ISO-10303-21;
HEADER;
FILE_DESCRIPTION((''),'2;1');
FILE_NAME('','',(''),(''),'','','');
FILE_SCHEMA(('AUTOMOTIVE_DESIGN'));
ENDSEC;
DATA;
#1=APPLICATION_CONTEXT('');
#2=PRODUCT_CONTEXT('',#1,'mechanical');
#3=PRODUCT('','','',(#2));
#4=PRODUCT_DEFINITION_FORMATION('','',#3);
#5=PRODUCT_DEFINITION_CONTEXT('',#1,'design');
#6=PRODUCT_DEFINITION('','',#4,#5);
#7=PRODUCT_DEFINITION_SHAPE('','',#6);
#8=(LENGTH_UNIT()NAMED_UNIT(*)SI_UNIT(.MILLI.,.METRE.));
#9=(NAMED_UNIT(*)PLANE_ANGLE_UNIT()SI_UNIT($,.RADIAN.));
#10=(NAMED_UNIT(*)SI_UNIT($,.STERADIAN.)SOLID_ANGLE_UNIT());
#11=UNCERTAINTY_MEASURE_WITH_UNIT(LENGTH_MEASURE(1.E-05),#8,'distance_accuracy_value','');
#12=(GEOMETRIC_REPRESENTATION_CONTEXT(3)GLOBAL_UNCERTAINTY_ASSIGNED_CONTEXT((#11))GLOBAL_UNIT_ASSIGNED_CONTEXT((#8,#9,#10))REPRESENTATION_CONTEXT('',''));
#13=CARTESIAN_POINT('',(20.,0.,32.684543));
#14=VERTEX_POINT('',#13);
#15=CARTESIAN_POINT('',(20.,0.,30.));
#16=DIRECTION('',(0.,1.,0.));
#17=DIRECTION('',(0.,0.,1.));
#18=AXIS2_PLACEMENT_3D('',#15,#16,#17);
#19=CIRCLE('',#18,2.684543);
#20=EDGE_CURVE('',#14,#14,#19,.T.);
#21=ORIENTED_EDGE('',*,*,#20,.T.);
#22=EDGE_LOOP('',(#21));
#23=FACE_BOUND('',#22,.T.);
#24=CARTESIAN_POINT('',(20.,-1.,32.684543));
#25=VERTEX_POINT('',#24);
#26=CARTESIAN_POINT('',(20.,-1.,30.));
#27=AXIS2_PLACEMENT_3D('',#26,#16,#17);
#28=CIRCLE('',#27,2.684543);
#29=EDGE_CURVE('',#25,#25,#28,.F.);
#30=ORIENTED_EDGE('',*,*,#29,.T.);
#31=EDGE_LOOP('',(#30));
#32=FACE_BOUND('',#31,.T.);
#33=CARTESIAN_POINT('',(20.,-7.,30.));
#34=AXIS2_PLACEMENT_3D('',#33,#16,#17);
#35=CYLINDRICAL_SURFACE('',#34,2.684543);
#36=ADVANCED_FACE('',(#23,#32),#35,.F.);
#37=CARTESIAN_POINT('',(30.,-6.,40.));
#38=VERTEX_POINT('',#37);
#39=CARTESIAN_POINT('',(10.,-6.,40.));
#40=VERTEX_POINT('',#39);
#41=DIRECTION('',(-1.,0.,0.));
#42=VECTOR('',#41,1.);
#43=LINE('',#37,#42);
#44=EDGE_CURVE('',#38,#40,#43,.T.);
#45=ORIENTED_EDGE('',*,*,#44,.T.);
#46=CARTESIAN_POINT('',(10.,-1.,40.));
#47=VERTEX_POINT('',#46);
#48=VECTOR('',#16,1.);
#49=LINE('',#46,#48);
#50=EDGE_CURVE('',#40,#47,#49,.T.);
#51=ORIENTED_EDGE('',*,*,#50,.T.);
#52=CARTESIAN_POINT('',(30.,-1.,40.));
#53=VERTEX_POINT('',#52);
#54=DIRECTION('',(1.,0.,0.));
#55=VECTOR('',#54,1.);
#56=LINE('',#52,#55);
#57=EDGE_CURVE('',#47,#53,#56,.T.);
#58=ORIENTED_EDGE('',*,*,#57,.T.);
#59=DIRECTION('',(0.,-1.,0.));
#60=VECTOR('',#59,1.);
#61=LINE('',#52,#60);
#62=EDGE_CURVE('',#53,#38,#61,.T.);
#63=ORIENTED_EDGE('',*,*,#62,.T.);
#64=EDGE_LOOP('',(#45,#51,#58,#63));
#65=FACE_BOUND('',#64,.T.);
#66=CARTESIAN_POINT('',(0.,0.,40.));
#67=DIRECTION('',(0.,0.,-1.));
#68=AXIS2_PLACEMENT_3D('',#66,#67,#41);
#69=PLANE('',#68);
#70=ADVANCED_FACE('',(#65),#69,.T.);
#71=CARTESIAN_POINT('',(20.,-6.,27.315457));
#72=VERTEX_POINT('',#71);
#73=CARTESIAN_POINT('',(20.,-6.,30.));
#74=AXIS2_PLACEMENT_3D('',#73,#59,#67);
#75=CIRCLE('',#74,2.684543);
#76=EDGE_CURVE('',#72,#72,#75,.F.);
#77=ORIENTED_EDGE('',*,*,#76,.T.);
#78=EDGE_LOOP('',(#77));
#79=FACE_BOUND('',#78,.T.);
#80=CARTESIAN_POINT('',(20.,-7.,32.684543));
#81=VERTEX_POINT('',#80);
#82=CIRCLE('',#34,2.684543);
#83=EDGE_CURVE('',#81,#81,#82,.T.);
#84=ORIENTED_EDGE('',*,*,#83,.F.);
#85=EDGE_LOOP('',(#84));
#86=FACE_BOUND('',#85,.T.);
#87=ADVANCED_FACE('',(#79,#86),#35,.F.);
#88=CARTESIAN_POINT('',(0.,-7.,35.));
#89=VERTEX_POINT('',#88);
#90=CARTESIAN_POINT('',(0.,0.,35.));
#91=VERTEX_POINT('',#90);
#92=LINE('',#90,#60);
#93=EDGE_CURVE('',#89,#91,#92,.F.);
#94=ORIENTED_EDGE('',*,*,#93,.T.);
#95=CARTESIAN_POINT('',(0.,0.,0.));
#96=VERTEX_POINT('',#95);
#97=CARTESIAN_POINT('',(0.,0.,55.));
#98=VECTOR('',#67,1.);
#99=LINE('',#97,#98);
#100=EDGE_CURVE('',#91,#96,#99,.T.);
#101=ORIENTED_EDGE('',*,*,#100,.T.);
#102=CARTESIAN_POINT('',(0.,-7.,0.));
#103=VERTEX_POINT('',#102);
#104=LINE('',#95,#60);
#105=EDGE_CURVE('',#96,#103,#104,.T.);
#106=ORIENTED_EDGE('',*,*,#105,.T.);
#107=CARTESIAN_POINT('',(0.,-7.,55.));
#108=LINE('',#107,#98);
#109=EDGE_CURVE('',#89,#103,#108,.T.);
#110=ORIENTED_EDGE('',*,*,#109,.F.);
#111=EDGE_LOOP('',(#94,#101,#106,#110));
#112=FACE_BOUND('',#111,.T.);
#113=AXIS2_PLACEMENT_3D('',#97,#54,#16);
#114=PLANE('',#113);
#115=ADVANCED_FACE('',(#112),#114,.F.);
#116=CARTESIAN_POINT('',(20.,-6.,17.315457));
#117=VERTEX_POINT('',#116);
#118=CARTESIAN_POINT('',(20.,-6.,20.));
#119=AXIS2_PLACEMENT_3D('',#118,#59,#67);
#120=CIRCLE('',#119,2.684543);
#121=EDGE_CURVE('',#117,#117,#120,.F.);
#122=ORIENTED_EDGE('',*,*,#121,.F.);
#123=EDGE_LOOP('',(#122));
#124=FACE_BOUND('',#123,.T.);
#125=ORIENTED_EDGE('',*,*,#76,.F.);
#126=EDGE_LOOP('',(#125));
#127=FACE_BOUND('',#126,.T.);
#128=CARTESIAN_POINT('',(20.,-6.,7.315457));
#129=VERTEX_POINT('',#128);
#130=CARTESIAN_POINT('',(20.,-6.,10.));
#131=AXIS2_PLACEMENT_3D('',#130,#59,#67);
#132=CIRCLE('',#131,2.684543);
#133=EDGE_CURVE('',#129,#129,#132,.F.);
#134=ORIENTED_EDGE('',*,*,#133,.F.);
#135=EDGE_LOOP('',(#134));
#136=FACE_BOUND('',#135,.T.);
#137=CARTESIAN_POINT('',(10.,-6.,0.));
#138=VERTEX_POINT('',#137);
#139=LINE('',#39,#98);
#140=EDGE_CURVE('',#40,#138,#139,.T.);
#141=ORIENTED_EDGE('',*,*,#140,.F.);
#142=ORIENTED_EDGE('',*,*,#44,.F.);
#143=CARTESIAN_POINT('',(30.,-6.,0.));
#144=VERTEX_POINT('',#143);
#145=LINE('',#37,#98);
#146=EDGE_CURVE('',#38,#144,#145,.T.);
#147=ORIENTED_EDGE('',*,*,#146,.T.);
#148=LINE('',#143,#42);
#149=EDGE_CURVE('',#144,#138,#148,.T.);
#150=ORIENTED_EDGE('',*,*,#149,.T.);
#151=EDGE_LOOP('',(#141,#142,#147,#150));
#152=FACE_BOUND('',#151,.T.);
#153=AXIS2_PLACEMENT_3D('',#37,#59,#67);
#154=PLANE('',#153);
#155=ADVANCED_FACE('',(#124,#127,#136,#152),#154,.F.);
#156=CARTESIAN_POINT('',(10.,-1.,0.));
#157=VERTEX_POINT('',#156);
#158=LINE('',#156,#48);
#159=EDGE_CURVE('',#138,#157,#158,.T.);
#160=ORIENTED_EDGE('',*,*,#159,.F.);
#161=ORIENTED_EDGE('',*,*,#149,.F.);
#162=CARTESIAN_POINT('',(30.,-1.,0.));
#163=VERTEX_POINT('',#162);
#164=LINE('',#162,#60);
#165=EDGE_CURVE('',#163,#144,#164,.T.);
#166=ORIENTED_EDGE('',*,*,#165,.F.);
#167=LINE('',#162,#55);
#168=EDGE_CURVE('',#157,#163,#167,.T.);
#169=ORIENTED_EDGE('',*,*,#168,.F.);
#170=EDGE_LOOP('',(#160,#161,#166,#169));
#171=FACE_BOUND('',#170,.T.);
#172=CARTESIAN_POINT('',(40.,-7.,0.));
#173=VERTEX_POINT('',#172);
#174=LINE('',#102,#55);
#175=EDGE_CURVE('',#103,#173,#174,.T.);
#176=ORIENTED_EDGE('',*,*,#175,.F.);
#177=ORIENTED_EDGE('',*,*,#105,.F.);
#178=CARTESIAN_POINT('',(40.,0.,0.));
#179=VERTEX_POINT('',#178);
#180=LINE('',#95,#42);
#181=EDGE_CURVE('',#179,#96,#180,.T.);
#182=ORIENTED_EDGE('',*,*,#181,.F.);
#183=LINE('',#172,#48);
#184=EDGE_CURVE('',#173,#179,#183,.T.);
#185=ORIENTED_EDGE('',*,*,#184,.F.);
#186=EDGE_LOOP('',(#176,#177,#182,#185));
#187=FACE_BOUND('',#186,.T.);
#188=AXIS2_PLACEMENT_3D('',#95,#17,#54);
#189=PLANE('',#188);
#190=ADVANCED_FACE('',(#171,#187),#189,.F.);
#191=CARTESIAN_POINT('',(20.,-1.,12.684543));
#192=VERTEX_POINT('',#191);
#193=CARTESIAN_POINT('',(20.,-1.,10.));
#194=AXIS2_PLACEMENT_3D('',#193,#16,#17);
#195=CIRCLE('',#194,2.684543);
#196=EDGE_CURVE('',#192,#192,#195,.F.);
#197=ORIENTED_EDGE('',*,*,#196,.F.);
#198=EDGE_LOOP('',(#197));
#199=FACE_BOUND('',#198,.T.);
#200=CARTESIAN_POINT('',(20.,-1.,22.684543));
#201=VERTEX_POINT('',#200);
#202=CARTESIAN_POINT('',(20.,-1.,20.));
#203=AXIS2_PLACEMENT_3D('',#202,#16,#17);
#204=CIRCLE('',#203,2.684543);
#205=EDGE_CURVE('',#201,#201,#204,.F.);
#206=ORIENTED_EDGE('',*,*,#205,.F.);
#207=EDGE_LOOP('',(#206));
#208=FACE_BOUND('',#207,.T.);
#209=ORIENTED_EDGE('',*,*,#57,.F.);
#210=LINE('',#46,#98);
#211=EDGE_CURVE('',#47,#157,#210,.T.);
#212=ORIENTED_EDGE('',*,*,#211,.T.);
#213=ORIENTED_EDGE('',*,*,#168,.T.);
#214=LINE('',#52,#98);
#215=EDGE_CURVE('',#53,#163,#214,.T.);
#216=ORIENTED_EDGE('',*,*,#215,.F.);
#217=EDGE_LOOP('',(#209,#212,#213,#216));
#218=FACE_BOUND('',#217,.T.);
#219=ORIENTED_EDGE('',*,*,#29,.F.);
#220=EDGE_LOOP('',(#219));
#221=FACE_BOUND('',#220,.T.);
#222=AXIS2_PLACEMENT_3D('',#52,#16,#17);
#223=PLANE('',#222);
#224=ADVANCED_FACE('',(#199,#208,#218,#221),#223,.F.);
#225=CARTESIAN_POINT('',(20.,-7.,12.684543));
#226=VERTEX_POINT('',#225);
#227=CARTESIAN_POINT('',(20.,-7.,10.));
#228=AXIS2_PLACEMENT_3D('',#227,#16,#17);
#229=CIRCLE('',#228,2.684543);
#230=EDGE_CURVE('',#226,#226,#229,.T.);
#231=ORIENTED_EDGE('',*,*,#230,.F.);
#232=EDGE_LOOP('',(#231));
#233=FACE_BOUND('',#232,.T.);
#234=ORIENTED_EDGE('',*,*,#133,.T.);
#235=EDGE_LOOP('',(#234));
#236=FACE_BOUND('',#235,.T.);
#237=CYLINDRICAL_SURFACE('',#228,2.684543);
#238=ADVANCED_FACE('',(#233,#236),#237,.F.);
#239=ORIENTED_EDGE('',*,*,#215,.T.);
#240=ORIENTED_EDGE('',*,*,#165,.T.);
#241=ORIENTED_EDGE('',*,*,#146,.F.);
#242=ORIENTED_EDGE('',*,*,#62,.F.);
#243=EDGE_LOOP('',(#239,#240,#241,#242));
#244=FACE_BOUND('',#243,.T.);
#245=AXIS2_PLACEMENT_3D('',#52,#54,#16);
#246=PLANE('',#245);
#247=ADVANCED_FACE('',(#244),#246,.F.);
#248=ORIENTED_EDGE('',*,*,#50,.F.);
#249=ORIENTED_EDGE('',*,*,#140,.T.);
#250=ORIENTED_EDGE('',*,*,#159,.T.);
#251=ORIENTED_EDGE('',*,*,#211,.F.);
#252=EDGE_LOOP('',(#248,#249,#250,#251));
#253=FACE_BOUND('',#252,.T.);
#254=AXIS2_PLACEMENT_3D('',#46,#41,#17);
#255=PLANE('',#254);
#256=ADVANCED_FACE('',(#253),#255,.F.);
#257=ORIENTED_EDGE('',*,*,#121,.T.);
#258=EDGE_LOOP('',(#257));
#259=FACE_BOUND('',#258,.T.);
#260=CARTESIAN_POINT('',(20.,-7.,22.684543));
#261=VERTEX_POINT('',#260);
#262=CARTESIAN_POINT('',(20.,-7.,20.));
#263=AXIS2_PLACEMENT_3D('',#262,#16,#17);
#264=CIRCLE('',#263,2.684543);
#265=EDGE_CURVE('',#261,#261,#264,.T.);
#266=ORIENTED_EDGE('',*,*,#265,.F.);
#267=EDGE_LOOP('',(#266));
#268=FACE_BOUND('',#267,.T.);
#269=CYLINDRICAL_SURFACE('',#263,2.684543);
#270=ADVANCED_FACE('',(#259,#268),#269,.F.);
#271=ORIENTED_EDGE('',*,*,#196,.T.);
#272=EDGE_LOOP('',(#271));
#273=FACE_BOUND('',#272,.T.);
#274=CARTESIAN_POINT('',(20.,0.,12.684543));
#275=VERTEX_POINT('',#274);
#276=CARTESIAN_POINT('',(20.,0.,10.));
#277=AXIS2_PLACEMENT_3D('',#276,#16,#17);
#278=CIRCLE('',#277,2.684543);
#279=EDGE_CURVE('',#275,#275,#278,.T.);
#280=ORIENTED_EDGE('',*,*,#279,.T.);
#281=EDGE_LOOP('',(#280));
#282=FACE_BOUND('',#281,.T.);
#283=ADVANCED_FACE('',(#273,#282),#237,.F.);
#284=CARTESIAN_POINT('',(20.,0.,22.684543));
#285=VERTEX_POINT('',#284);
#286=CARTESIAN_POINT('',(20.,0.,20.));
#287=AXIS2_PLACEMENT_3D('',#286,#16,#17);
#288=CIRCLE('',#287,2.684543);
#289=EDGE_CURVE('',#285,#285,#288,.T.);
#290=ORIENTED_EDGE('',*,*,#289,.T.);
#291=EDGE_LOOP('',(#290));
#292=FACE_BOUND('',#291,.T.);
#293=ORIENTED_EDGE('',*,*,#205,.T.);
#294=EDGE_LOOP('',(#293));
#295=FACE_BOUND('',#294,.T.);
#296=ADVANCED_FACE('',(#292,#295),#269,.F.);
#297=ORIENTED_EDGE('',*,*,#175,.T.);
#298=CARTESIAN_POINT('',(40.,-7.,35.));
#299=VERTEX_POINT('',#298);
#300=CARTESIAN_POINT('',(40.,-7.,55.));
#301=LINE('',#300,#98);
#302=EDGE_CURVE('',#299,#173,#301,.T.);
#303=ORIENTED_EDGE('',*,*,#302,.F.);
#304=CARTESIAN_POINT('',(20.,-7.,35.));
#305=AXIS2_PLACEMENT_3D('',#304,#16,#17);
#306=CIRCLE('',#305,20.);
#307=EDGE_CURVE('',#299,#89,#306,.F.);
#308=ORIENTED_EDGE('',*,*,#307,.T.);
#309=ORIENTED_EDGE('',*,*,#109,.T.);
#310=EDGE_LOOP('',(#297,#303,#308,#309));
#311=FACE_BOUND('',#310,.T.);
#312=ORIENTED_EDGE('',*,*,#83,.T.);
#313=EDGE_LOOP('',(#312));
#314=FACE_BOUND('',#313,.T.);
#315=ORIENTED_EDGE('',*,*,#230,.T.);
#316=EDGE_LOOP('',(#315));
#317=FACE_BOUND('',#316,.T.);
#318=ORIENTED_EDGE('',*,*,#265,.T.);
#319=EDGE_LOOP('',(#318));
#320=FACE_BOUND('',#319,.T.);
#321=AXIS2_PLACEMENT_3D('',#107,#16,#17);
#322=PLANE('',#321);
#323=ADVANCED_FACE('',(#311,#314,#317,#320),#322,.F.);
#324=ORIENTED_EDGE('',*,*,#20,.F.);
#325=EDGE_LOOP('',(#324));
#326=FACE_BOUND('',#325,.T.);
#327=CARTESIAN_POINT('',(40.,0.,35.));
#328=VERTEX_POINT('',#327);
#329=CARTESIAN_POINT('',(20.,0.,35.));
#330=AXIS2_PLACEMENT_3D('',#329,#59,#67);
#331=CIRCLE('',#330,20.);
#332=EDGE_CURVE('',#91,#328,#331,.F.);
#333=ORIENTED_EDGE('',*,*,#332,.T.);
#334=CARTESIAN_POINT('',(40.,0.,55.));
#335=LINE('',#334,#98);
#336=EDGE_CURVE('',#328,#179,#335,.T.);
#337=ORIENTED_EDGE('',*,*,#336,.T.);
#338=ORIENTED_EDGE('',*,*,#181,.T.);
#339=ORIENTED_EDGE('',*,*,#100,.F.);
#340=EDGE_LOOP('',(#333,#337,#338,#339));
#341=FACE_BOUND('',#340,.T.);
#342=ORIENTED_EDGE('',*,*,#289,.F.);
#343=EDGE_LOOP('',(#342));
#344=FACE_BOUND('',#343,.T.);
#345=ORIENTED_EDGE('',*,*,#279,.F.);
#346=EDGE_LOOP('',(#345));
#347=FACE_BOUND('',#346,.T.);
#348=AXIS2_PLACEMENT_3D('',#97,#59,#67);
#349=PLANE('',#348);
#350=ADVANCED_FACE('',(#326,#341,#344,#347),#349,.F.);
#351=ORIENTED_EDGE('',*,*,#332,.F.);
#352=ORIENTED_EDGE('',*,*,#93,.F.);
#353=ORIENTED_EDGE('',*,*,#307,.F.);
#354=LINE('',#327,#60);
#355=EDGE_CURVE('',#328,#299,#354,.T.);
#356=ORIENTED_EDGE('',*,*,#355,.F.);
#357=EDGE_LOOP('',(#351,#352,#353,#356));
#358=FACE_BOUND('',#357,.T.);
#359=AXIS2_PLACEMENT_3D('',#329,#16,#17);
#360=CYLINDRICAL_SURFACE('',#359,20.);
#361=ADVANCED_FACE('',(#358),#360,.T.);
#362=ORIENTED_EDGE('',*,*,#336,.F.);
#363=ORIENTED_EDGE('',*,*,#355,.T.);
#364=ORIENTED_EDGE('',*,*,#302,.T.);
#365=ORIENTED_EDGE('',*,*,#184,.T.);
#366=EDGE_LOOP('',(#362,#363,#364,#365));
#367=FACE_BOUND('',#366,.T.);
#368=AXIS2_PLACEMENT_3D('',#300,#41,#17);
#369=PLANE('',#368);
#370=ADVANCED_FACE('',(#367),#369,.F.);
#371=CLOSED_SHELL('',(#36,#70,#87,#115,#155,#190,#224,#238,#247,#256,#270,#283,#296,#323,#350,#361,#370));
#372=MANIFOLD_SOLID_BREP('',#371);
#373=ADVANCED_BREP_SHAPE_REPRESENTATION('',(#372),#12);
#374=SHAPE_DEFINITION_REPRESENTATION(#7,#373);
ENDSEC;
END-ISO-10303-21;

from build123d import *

# Parameters (mm, degrees)
SKETCH1_W           = 40
SKETCH1_H           = 7
BOSS_EXTRUDE1_DEPTH = 55
SKETCH2_R           = 2.684543284
CUT_EXTRUDE1_DEPTH  = 7
FILLET1_RADIUS      = 20
FILLET1_LENGTH      = 7
SKETCH4_W           = 20
SKETCH4_H           = 5
CUT_EXTRUDE2_DEPTH  = 40


with BuildPart() as part:
    # Sketch1 → Boss-Extrude1 (new body)
    with BuildSketch(Plane.XY):
        with Locations((20, -3.5)):
            Rectangle(SKETCH1_W, SKETCH1_H)
    extrude(amount=BOSS_EXTRUDE1_DEPTH)

    # Sketch2 → Cut-Extrude1 (cut)
    with BuildSketch(Plane(origin=(0, 0, 0), x_dir=(1, 0, 0), z_dir=(0, 1, 0))):
        with Locations(Location((20, -10, 0), (0, 0, 270))):
            Circle(SKETCH2_R)
        with Locations(Location((20, -20, 0), (0, 0, 270))):
            Circle(SKETCH2_R)
        with Locations(Location((20, -30, 0), (0, 0, 270))):
            Circle(SKETCH2_R)
    extrude(amount=-CUT_EXTRUDE1_DEPTH, mode=Mode.SUBTRACT)

    # Fillet1: full round fillet: the end face becomes a half cylinder, R = half its width
    fillet1_face = Plane((20, -3.5, 55), x_dir=(0, 1, 0), z_dir=(0, 0, 1))  # on the end face: x along it, z out of the body
    fillet1_slab = fillet1_face.offset(-FILLET1_RADIUS / 2) * Box(FILLET1_LENGTH, 2 * FILLET1_RADIUS, FILLET1_RADIUS, mode=Mode.PRIVATE)  # the body's end, R deep
    fillet1_round = Plane((20, -3.5, 35), x_dir=(0, 0, 1), z_dir=(0, 1, 0)) * Cylinder(FILLET1_RADIUS, FILLET1_LENGTH, mode=Mode.PRIVATE)  # its axis R under the face
    add(fillet1_slab - fillet1_round, mode=Mode.SUBTRACT)

    # Sketch4 → Cut-Extrude2 (cut)
    with BuildSketch(Plane(origin=(0, 0, 0), x_dir=(-1, 0, 0), z_dir=(0, 0, -1))):
        with Locations((-20, -3.5)):
            Rectangle(SKETCH4_W, SKETCH4_H)
    extrude(amount=-CUT_EXTRUDE2_DEPTH, mode=Mode.SUBTRACT)


solid = part.part
